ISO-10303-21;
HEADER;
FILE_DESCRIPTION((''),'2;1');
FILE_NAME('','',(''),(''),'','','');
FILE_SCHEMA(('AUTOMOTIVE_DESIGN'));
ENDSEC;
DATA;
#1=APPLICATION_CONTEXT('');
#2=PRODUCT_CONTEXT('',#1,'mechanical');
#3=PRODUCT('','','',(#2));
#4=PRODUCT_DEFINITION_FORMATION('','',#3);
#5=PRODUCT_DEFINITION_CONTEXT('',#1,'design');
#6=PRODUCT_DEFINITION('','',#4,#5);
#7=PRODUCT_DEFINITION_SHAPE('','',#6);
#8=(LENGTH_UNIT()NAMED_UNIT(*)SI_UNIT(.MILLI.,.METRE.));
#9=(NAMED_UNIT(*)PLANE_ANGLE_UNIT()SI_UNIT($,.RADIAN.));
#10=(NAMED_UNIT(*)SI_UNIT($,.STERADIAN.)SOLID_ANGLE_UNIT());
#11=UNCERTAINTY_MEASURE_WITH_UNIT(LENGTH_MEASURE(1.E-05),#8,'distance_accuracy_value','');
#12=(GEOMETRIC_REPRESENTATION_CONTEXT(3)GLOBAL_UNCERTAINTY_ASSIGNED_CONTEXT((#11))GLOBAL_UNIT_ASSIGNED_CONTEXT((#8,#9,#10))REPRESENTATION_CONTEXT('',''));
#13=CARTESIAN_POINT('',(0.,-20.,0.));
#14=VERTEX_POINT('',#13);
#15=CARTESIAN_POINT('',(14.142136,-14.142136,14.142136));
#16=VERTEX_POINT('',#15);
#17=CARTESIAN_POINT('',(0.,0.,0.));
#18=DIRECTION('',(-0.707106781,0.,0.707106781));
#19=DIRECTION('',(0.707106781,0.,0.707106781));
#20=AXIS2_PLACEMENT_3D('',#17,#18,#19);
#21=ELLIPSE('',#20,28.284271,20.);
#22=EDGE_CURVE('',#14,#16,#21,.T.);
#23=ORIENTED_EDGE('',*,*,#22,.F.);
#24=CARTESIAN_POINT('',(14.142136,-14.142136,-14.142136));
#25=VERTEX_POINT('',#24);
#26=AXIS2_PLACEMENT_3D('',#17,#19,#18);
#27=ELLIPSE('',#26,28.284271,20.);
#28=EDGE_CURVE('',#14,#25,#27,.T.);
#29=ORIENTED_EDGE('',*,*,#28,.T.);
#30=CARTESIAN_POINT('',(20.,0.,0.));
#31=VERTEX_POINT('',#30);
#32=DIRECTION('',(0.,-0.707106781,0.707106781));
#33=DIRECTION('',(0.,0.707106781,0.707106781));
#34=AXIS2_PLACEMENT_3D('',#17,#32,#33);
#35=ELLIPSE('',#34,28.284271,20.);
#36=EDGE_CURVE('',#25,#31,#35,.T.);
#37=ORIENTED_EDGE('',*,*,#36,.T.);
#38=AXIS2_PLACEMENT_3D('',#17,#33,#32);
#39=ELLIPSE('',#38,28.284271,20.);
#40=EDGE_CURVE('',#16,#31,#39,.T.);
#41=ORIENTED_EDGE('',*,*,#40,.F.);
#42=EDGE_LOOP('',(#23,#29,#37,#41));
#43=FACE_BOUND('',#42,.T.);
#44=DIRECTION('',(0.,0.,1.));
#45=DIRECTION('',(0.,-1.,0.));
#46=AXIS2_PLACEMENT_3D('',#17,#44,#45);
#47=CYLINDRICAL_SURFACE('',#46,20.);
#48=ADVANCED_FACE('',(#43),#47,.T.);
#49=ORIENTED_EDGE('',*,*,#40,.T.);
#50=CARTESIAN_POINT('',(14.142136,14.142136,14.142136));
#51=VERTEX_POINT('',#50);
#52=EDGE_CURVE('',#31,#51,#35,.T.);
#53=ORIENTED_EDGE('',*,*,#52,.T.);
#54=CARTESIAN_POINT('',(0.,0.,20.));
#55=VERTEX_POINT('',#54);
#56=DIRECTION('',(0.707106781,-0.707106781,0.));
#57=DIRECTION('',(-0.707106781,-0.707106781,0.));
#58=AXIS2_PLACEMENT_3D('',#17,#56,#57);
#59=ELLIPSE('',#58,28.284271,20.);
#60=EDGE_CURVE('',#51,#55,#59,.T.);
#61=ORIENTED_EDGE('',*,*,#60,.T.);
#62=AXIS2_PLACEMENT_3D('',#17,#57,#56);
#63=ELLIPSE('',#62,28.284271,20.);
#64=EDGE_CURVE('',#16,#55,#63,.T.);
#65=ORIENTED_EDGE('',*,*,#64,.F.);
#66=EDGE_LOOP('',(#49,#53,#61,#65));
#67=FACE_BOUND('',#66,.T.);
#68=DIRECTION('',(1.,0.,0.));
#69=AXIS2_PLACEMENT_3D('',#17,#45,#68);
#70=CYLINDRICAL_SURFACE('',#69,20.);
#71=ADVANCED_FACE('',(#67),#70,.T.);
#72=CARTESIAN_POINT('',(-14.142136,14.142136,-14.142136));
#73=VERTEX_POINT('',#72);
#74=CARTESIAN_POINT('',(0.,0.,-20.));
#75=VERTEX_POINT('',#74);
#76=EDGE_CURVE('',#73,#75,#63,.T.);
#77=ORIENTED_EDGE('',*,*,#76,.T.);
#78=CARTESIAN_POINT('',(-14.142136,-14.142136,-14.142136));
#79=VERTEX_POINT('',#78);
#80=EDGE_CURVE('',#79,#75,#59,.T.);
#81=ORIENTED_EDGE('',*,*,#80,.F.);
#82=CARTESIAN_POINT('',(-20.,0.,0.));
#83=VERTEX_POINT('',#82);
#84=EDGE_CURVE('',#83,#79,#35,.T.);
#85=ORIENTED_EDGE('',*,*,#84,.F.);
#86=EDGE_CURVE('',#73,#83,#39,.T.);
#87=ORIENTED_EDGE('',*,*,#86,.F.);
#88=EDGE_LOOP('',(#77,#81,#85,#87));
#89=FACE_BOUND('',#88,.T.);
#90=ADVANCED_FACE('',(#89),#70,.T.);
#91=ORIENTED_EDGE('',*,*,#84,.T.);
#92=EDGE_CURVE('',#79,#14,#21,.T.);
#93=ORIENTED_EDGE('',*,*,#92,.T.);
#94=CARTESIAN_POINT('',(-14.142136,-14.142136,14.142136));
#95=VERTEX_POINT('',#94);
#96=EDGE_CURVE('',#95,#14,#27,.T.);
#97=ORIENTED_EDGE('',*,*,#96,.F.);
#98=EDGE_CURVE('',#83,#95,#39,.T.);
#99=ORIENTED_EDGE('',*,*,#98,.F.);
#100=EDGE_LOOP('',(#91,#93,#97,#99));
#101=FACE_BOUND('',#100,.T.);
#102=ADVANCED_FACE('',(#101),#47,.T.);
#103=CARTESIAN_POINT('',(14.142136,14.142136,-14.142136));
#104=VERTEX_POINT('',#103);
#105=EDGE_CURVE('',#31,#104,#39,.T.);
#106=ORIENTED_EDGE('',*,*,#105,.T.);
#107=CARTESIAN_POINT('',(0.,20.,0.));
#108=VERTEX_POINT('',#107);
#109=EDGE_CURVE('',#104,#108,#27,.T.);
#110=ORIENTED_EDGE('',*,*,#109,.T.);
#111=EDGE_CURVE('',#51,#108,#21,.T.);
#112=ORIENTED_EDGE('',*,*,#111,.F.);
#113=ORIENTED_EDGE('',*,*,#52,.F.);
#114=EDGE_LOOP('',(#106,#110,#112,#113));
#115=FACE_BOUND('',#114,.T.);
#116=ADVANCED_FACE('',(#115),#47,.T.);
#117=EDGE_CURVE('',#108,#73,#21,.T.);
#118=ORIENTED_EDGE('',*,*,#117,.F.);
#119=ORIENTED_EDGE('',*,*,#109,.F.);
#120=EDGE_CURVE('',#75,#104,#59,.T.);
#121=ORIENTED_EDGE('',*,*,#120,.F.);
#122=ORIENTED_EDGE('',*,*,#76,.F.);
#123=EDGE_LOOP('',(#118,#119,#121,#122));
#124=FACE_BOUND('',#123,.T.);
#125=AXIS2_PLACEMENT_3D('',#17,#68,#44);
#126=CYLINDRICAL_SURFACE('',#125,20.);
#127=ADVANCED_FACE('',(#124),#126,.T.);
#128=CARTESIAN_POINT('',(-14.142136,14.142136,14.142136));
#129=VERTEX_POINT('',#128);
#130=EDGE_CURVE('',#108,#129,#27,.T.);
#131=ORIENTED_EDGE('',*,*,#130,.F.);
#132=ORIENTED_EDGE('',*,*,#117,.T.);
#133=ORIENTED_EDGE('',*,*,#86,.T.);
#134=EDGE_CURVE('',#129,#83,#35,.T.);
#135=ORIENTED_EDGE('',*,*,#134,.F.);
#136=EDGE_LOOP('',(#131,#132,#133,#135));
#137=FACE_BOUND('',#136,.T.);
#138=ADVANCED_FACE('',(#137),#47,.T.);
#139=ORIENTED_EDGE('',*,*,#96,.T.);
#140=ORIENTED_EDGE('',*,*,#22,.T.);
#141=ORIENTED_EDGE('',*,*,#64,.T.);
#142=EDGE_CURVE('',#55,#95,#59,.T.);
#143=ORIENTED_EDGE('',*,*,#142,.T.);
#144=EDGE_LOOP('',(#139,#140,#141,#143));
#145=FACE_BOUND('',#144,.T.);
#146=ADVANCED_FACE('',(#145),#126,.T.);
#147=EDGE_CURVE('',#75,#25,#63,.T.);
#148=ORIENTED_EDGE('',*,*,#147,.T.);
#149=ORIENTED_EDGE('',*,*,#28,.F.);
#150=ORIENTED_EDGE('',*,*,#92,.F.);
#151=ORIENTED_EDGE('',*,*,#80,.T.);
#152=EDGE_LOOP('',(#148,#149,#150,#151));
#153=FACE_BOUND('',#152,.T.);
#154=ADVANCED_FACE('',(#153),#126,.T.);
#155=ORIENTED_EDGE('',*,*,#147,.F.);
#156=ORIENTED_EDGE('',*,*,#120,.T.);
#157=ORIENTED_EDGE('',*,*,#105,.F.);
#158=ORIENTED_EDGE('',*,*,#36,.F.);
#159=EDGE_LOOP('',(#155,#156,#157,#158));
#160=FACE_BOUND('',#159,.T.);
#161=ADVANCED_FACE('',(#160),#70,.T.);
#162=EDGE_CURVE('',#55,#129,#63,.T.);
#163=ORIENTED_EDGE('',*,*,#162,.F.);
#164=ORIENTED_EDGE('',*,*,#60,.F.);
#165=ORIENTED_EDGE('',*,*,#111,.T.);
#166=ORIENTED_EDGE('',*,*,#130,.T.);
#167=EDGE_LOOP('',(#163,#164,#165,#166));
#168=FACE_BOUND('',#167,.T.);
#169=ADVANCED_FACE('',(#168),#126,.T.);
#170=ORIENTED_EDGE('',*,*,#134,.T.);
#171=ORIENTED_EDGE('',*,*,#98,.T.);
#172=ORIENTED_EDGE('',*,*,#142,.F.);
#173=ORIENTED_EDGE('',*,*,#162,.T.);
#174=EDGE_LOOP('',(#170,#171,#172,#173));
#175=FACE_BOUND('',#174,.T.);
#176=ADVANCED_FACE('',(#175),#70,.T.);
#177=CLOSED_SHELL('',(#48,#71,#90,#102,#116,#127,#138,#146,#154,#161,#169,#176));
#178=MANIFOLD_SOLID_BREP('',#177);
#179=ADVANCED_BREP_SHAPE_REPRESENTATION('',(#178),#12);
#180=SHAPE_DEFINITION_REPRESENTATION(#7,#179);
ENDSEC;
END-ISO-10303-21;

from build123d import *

# Parameters (mm, degrees)
F0_R     = 20
F1_DEPTH = 25
F4_COUNT = 3


with BuildPart() as f1:
    # F0 (on Front) → F1 (new body, symmetric)
    with BuildSketch(Plane.XZ):
        Circle(F0_R)
    extrude(amount=F1_DEPTH, both=True)


with BuildPart() as f4_1:
    # F4: instance of F1
    add(f1.part.rotate(Axis((10, -10, 10), (-0.5773502692, 0.5773502692, -0.5773502692)), 1 * 360 / F4_COUNT))


with BuildPart() as f4_2:
    # F4: instance of F1
    add(f1.part.rotate(Axis((10, -10, 10), (-0.5773502692, 0.5773502692, -0.5773502692)), 2 * 360 / F4_COUNT))


with BuildPart() as f4_1_1:
    add(f4_1.part)

    # F5: intersect F1, F4_2
    add(f1.part, mode=Mode.INTERSECT)
    add(f4_2.part, mode=Mode.INTERSECT)


solid = f4_1_1.part
